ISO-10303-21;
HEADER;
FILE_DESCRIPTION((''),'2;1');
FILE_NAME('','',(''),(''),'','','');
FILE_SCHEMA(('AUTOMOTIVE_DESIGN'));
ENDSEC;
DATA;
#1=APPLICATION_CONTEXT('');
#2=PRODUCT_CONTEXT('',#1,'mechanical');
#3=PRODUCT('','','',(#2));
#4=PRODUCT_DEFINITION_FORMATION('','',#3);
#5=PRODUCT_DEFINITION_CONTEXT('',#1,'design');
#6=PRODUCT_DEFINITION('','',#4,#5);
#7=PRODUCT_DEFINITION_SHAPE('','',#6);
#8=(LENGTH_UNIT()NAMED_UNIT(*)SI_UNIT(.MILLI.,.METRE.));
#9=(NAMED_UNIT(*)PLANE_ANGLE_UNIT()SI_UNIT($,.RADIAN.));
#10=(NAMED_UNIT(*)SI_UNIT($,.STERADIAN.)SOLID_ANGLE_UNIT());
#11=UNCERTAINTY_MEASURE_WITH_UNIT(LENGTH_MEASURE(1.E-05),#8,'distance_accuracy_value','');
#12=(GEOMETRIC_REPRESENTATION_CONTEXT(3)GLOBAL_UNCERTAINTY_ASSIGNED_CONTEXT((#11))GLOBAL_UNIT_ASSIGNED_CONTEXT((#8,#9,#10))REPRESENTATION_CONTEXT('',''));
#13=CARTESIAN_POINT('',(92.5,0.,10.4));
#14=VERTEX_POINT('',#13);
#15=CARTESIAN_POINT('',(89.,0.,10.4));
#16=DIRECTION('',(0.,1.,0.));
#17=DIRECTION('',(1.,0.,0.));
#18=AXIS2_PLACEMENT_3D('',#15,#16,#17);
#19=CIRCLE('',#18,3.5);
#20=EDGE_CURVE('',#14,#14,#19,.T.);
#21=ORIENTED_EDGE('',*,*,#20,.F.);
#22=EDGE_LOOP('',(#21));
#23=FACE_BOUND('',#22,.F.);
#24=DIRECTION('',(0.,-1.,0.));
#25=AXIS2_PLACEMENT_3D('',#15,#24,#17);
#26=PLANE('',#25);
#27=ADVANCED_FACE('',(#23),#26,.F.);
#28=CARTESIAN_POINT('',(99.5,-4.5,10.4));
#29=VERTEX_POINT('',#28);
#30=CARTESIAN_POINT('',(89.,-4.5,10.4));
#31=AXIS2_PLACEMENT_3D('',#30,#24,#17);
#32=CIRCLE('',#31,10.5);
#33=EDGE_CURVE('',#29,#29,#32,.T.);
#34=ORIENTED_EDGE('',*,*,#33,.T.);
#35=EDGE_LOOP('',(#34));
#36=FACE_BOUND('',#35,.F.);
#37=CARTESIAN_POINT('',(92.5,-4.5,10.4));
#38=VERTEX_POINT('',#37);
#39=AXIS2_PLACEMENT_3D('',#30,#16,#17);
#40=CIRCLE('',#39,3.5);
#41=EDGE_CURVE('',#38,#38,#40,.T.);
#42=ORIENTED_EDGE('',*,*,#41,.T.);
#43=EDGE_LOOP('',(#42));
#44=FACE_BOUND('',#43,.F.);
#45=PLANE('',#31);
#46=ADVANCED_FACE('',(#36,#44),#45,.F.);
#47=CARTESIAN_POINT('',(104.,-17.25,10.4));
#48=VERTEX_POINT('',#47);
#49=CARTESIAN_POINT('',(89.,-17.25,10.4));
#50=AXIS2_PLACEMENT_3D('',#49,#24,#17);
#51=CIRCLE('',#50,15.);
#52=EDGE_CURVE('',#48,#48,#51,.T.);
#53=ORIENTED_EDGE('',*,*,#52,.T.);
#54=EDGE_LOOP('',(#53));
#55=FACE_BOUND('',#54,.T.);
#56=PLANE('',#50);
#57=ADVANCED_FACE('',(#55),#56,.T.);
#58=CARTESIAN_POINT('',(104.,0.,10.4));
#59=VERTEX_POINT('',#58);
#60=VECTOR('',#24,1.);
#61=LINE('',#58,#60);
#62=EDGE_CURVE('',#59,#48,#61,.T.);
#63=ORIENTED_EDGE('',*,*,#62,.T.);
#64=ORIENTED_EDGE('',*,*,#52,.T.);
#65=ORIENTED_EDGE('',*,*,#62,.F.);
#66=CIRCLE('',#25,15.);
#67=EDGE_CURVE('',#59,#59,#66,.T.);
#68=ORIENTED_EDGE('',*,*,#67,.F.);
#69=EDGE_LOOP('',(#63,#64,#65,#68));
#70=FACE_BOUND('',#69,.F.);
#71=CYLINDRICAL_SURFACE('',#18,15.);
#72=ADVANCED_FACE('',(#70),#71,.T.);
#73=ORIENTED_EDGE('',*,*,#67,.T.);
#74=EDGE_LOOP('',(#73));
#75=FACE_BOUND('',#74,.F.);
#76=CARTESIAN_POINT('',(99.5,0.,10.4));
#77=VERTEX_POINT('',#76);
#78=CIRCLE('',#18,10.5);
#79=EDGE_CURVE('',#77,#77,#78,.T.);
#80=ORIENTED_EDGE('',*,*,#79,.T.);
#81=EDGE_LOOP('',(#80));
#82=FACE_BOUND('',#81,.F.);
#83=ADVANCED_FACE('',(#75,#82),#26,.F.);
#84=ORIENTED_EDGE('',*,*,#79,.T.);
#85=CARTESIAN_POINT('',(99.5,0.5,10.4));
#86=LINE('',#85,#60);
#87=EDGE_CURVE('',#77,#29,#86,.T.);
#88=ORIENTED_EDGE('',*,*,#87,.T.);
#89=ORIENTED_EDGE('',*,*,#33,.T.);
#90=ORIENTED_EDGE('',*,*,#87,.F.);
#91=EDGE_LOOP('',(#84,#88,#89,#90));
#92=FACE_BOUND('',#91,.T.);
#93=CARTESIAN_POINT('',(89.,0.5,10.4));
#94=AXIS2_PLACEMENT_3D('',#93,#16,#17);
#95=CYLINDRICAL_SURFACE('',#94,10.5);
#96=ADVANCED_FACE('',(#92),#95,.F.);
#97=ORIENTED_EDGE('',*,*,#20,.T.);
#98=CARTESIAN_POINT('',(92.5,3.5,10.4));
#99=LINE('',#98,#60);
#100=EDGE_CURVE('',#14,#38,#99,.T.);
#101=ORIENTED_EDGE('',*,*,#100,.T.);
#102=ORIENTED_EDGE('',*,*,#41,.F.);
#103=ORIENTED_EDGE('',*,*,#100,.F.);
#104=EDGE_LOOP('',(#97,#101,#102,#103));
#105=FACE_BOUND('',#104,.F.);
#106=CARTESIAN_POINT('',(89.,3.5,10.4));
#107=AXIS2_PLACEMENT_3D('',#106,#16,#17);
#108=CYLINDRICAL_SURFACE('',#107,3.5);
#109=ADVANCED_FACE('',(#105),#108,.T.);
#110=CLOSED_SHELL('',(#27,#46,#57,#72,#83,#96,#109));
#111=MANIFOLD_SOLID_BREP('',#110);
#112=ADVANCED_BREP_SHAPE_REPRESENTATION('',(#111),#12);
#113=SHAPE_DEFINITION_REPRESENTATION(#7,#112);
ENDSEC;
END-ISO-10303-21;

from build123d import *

# Parameters (mm, degrees)
CYLINDER003_R             = 3.5
CYLINDER003_DEPTH         = 10
CYLINDER002_R             = 10.5
CYLINDER002_DEPTH         = 5
CUT005007_PLACEMENT_ANGLE = 90
SKETCH005_R               = 15
EXTRUDE003002_DEPTH       = 17.25


with BuildPart() as cylinder003:
    # Cylinder003 → Cylinder003 (new body)
    with BuildSketch(Plane.XY.offset(-3)):
        Circle(CYLINDER003_R)
    extrude(amount=CYLINDER003_DEPTH)


with BuildPart() as iman001:
    # Cylinder002 → Cylinder002 (new body)
    with BuildSketch(Plane.XY):
        Circle(CYLINDER002_R)
    extrude(amount=CYLINDER002_DEPTH)

    # Cut005007: cut Cylinder003
    add(cylinder003.part, mode=Mode.SUBTRACT)


with BuildPart() as iman001_1:
    # Cut005007 placement: moved
    add(iman001.part.moved(Location((89, 0.5, 10.4))).rotate(Axis((89, 0.5, 10.4), (1, 0, 0)), CUT005007_PLACEMENT_ANGLE))


with BuildPart() as cut005008:
    # Sketch005 → Extrude003002 (new body)
    with BuildSketch(Plane.XZ):
        with Locations((89, 10.4)):
            Circle(SKETCH005_R)
    extrude(amount=EXTRUDE003002_DEPTH)

    # Cut005008: cut iman001
    add(iman001_1.part, mode=Mode.SUBTRACT)


solid = cut005008.part
